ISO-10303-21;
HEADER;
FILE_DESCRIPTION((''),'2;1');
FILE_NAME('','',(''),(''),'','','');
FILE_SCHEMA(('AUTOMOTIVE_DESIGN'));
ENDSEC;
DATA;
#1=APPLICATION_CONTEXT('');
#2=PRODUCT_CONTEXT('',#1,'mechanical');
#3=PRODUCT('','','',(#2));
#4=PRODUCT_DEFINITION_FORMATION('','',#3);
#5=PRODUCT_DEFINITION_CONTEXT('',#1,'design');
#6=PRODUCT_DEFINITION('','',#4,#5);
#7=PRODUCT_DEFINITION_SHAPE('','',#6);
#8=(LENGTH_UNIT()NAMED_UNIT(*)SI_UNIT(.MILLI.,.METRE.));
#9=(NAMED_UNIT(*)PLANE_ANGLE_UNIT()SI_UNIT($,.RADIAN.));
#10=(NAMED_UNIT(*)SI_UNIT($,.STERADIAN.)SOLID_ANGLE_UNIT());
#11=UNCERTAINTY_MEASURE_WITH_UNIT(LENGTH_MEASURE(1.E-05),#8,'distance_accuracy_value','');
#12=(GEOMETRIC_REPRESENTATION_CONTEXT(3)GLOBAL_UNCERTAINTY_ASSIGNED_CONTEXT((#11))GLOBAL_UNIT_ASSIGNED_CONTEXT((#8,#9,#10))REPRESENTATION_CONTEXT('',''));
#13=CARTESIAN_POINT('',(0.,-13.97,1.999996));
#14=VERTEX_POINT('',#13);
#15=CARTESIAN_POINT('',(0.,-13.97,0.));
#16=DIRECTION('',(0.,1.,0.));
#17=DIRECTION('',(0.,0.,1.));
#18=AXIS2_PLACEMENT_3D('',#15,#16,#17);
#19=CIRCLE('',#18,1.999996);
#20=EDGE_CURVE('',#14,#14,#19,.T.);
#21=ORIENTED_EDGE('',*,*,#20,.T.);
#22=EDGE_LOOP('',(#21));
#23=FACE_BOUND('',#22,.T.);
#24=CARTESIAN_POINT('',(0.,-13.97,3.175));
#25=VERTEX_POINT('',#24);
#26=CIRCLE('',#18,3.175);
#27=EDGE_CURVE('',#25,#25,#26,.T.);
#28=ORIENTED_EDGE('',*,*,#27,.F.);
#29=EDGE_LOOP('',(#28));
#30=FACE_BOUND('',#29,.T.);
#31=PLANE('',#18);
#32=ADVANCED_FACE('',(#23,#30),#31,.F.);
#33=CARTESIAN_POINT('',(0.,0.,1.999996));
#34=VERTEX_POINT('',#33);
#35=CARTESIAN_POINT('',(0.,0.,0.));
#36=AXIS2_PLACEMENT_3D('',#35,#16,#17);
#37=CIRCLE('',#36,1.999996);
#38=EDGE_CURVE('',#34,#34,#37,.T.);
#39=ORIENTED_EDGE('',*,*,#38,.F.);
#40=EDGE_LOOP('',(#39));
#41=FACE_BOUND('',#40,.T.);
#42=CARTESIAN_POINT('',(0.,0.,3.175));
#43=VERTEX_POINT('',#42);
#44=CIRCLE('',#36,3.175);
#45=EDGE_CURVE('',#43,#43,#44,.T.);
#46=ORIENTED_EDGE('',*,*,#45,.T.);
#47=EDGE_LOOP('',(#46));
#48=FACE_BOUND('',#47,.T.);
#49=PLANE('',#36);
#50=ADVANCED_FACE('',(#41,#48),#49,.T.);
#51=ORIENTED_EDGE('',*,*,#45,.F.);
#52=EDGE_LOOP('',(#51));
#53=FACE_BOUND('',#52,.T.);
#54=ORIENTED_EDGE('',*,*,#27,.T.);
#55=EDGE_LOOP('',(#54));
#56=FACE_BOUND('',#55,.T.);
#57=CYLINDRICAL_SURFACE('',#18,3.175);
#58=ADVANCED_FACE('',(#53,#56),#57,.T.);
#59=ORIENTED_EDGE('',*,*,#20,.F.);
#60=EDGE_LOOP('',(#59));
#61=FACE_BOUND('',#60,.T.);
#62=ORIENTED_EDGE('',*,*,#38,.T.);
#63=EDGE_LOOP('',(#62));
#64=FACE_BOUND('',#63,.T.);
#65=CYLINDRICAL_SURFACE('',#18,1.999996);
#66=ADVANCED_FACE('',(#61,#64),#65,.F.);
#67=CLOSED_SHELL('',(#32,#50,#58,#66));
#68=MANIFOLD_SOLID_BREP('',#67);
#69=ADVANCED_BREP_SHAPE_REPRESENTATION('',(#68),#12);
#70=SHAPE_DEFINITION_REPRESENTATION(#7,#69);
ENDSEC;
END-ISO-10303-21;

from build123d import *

# Parameters (mm, degrees)
SKETCH1_R           = 3.175
SKETCH1_R_2         = 1.999996
BOSS_EXTRUDE1_DEPTH = 13.97


with BuildPart() as part:
    # Sketch1 → Boss-Extrude1 (new body)
    with BuildSketch(Plane(origin=(0, 0, 0), x_dir=(1, 0, 0), z_dir=(0, 1, 0))):
        Circle(SKETCH1_R)
        Circle(SKETCH1_R_2, mode=Mode.SUBTRACT)
    extrude(amount=-BOSS_EXTRUDE1_DEPTH)


solid = part.part
